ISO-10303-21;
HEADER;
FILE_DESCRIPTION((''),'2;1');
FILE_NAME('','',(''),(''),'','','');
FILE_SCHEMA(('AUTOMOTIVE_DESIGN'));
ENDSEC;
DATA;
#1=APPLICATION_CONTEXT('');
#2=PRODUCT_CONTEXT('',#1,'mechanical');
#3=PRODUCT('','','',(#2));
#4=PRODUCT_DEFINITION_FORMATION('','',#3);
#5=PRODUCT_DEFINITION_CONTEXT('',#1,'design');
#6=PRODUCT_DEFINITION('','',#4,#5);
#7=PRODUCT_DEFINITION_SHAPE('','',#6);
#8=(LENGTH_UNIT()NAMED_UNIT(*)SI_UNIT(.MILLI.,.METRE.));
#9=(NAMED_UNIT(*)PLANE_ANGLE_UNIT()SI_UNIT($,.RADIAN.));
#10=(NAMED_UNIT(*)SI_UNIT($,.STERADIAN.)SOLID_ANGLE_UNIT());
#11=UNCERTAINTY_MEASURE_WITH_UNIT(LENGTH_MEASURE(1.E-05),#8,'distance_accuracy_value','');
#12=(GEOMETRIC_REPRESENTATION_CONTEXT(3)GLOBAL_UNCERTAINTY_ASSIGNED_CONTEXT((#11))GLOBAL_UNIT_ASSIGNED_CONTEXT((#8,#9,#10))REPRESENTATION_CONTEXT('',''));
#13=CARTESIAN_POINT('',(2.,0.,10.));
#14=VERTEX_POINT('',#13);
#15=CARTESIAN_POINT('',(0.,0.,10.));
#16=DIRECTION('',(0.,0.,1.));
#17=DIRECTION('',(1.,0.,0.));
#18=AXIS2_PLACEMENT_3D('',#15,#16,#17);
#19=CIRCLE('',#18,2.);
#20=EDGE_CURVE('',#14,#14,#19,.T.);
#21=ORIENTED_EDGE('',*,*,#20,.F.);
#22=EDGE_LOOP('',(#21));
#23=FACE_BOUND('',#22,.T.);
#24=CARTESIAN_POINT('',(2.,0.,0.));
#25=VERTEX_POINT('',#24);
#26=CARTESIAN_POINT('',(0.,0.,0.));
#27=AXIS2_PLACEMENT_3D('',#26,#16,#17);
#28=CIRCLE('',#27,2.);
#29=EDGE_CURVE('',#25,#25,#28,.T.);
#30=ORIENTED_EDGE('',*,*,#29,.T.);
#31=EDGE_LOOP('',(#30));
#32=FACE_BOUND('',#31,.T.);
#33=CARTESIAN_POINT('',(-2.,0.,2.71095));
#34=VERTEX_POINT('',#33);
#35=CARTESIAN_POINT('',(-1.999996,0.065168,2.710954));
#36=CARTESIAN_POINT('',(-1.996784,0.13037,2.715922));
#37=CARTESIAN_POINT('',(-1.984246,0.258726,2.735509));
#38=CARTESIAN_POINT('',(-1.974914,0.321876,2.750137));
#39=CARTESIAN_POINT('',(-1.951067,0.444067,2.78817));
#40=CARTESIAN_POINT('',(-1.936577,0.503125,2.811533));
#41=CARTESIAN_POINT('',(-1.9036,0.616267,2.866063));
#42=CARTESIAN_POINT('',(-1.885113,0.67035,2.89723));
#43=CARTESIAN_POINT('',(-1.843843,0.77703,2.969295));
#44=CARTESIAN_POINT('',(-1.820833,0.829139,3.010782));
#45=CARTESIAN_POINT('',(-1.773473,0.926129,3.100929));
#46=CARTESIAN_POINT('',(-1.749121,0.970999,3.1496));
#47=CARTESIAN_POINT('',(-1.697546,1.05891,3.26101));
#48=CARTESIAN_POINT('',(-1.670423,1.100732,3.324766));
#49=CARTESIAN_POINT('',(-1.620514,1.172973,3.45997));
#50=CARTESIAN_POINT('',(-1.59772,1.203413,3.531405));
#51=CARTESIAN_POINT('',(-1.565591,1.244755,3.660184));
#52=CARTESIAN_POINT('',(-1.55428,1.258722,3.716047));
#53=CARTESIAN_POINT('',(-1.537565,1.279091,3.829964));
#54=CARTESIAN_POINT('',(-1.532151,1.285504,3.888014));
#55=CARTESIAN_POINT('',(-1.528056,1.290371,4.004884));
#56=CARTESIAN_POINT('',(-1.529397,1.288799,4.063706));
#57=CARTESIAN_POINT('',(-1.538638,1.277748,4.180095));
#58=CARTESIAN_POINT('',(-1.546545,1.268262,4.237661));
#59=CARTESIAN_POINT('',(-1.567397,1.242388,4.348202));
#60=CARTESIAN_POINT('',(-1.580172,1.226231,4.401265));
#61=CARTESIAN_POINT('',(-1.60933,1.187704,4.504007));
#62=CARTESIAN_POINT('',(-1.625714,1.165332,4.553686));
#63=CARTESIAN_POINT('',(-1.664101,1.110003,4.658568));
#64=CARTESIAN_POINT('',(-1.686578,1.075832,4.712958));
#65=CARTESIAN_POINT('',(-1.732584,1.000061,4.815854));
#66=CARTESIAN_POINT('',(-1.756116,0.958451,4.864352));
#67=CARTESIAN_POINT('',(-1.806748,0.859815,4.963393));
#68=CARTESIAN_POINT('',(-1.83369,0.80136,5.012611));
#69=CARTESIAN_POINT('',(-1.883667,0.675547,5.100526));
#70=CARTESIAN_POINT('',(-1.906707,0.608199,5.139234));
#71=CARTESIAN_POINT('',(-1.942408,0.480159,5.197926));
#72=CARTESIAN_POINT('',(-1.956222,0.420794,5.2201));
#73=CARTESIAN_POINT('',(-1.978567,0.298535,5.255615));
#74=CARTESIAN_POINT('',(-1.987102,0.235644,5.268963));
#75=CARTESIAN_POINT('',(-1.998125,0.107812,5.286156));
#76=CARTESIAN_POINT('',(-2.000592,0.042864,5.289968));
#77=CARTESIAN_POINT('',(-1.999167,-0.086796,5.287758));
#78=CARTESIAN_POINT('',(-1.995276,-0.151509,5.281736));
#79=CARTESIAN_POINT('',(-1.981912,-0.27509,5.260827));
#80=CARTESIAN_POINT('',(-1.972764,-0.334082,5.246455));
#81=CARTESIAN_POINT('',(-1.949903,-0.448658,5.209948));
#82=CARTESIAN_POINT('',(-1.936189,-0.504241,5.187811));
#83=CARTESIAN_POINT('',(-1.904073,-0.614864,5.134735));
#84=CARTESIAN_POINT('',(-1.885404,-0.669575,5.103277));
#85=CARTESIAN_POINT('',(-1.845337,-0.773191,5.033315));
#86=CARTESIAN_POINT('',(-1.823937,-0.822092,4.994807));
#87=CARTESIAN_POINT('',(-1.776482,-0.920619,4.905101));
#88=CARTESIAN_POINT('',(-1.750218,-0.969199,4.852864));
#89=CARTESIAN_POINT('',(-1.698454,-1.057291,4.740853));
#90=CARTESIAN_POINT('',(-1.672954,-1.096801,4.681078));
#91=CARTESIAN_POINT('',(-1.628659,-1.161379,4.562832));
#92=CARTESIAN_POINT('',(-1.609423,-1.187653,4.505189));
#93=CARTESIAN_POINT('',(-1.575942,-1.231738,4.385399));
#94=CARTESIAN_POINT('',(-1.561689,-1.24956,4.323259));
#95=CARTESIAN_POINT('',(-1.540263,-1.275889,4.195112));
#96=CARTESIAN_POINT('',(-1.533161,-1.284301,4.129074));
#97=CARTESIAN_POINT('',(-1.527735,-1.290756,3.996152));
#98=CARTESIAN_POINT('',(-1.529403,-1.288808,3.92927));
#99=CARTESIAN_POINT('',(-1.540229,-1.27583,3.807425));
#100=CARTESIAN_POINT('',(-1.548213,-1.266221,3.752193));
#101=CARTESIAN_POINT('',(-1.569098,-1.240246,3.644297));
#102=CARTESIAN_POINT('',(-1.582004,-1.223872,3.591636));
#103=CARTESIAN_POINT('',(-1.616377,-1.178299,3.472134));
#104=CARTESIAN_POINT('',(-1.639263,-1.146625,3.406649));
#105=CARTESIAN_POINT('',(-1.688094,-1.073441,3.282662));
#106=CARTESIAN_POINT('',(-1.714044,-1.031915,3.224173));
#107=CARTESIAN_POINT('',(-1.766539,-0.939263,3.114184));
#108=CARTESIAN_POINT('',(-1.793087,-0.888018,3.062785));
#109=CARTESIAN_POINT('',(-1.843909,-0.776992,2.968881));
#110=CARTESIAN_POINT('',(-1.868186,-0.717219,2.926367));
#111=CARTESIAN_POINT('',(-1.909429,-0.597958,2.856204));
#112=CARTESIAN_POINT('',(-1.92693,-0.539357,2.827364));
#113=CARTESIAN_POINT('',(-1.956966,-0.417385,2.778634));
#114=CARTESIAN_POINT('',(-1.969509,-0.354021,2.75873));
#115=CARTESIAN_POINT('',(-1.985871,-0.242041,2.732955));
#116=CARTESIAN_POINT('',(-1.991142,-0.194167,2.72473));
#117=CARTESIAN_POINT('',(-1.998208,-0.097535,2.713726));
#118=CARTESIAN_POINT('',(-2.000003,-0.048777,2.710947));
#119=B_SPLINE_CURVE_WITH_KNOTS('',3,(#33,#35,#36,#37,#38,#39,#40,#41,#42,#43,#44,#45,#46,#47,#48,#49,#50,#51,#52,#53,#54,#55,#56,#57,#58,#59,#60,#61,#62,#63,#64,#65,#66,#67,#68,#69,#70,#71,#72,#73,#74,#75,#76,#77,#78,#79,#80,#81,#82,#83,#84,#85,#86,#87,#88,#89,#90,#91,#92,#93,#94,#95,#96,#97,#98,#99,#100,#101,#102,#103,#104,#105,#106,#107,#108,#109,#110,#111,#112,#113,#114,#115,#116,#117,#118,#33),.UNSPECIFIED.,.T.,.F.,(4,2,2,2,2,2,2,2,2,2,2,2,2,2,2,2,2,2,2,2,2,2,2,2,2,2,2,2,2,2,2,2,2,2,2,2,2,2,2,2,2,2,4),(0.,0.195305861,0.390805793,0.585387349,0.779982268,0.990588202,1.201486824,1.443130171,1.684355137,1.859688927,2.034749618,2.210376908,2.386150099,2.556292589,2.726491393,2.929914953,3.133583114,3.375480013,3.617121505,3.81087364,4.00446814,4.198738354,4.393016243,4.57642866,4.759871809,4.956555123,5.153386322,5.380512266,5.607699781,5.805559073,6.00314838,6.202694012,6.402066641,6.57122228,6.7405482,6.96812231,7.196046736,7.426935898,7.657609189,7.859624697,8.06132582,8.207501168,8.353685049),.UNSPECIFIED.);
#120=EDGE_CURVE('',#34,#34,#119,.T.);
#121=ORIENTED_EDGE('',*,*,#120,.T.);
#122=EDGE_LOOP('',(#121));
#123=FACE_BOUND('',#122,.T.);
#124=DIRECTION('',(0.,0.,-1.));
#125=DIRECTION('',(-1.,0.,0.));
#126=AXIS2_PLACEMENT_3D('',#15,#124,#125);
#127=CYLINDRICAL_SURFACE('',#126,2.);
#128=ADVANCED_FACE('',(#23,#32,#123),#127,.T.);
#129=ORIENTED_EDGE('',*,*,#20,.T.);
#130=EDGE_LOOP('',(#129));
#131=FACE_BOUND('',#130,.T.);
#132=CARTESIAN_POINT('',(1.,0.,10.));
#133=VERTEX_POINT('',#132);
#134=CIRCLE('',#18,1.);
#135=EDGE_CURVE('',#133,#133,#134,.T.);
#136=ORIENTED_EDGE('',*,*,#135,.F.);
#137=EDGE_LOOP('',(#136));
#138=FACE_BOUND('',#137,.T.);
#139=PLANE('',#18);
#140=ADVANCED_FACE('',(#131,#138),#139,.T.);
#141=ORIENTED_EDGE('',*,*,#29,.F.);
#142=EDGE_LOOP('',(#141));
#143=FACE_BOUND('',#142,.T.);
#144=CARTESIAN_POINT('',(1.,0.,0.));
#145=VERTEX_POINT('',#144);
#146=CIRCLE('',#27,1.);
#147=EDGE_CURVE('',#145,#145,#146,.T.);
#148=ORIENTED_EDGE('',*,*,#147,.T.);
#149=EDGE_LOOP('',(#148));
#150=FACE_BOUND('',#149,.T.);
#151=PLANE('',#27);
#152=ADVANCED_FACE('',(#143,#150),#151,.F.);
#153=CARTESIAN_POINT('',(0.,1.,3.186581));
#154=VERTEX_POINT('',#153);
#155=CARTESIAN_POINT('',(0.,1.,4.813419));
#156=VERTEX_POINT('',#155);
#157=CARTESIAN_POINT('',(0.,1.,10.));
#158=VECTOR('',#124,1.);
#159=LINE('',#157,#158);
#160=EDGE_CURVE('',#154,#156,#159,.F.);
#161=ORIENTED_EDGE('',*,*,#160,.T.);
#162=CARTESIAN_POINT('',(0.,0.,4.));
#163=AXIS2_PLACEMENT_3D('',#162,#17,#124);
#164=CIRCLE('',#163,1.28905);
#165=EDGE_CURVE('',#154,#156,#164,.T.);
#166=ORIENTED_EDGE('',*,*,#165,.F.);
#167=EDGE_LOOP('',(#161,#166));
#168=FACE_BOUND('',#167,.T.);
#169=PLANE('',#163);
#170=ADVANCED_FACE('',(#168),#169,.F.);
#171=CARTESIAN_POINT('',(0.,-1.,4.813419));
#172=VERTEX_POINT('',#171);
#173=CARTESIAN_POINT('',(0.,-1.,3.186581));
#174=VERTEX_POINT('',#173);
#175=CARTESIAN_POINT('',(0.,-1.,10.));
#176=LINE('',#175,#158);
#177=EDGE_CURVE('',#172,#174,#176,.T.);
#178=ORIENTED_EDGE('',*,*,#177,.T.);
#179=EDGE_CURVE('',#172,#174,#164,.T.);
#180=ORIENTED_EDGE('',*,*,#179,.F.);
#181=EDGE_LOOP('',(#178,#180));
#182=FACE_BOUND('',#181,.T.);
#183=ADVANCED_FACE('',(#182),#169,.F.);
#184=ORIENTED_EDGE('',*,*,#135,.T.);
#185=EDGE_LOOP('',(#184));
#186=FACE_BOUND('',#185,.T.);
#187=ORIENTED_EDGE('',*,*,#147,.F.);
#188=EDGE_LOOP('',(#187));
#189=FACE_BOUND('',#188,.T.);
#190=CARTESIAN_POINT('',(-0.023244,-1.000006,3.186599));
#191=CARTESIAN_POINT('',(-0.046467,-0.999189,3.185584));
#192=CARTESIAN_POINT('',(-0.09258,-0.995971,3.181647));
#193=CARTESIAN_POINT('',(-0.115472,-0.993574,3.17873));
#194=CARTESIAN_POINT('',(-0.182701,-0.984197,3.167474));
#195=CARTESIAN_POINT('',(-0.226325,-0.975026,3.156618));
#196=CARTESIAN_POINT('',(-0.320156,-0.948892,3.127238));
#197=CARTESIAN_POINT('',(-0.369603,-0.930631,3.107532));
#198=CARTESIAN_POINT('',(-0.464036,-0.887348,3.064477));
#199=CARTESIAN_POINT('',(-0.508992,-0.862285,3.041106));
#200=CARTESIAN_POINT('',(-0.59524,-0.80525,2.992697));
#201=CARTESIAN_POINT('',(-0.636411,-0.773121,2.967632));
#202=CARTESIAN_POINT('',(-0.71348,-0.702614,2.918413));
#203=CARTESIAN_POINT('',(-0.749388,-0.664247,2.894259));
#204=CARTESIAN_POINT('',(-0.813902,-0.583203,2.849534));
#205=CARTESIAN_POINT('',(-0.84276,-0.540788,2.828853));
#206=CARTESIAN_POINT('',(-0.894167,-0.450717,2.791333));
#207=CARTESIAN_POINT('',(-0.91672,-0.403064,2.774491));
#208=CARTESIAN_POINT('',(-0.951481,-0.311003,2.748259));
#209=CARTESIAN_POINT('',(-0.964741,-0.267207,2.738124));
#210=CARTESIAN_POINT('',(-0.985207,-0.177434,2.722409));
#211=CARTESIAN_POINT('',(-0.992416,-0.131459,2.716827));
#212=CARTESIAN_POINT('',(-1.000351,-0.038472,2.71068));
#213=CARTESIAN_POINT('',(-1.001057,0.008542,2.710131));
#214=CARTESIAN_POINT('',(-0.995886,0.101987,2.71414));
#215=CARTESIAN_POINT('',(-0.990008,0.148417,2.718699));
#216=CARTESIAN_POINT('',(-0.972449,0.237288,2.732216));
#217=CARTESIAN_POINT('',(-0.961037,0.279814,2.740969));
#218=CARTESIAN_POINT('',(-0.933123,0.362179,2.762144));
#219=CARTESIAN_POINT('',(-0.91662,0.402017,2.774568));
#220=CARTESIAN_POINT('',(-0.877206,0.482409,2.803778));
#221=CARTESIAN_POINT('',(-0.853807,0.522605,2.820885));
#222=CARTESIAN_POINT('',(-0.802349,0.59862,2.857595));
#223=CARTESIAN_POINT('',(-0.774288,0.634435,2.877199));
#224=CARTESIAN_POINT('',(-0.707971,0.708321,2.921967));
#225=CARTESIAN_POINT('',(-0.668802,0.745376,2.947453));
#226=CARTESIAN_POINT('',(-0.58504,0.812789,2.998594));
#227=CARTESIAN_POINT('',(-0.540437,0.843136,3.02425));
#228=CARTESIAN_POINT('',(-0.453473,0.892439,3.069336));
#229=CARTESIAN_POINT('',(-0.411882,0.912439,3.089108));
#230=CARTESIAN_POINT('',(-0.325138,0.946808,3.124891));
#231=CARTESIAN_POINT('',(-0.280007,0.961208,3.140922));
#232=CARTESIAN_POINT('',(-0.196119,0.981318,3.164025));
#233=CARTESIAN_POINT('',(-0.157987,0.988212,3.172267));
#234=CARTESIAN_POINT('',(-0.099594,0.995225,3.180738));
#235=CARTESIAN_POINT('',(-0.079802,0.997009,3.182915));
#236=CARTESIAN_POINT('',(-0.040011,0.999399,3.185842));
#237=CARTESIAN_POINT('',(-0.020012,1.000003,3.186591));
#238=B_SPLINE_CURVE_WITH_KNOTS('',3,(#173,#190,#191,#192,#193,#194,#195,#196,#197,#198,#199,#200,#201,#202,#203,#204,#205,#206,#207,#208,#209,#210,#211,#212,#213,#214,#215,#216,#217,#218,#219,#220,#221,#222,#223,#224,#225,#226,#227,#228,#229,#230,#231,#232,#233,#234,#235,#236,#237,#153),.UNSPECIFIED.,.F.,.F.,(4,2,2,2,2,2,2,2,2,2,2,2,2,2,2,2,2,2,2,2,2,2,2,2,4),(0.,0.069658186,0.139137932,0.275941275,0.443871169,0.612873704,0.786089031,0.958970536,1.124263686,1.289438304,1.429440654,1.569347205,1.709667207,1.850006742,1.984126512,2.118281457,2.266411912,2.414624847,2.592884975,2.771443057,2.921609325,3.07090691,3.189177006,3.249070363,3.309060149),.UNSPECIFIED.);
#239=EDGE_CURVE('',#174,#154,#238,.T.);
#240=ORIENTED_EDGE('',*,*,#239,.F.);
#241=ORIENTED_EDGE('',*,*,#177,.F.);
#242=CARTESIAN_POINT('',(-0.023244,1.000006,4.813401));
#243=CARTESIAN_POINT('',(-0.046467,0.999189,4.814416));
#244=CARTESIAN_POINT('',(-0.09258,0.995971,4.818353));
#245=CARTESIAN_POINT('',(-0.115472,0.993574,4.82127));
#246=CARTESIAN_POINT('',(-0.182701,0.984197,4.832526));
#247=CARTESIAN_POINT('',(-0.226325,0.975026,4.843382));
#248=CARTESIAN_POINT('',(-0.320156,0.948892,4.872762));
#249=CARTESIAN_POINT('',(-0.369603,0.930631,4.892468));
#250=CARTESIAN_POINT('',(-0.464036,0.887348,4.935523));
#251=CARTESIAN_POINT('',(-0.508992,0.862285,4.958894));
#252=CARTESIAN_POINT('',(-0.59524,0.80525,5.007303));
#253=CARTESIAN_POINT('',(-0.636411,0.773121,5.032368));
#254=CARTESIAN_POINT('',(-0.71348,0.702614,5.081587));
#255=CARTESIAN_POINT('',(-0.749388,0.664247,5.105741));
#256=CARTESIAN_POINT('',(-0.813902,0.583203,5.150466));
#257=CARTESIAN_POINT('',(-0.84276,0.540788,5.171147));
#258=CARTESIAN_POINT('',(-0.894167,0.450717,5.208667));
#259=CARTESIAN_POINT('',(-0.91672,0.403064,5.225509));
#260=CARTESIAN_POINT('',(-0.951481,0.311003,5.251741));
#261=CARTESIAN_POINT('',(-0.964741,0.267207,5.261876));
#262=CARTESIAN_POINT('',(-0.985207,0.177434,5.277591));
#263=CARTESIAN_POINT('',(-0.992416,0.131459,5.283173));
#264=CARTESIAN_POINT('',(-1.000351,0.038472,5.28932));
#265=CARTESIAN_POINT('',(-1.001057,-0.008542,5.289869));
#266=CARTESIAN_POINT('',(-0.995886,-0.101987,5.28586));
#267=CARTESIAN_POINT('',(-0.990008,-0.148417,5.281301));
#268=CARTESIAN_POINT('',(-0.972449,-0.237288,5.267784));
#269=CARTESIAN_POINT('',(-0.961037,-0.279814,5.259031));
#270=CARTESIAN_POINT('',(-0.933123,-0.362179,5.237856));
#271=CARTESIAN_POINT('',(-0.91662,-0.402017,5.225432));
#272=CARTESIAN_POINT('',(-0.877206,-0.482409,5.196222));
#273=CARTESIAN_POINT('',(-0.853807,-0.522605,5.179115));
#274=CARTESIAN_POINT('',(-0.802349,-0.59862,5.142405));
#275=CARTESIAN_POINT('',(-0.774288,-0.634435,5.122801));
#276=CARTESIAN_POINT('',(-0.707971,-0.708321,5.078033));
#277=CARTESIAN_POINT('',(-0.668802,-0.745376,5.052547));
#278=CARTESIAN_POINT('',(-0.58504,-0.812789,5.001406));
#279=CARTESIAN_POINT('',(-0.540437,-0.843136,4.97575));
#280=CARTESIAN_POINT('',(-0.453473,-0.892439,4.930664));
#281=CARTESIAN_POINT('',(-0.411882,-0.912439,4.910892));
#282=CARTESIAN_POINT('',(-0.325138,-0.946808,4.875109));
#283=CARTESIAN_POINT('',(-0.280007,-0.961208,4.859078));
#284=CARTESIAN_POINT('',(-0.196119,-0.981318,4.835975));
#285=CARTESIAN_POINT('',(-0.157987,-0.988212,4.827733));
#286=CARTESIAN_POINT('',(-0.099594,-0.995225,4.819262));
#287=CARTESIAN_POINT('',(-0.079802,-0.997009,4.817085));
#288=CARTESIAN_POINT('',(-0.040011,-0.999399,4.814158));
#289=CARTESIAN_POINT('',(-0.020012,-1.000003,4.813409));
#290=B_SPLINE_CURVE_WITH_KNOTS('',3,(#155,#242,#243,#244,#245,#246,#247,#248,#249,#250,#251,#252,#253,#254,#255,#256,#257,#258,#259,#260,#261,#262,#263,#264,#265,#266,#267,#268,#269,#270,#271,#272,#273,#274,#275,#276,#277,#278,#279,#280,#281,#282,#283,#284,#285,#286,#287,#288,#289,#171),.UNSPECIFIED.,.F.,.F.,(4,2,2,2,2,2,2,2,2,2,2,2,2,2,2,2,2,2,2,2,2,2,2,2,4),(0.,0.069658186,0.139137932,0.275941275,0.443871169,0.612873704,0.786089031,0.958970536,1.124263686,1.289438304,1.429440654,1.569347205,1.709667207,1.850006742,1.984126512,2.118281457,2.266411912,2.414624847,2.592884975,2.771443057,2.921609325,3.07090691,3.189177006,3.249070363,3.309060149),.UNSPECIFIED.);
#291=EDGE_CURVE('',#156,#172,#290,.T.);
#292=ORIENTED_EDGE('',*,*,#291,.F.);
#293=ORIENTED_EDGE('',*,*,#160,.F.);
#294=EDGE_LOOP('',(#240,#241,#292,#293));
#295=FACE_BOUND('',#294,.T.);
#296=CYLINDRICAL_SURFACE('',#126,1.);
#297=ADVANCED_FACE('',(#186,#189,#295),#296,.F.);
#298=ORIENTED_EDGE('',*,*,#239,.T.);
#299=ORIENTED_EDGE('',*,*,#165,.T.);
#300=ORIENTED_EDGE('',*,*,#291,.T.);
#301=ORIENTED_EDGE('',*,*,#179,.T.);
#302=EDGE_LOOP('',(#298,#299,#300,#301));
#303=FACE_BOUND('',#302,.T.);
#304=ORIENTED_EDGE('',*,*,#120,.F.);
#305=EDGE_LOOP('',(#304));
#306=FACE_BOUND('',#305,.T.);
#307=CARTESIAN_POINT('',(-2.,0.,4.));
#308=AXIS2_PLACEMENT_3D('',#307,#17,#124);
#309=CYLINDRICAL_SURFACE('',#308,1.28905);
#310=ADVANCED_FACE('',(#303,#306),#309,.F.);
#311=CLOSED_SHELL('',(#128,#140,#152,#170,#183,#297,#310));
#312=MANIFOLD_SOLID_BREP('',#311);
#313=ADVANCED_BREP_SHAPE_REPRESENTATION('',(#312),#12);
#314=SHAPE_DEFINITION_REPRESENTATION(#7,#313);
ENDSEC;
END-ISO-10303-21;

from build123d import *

# Parameters (mm, degrees)
SKETCH1_R                     = 2
SKETCH1_R_2                   = 1
BOSS_EXTRUDE1_DEPTH           = 10
SKETCH2_R                     = 1.28905
HOLE_FOR_5_40_SET_SCREW_DEPTH = 3


with BuildPart() as part:
    # Sketch1 → Boss-Extrude1 (new body)
    with BuildSketch(Plane.XY):
        Circle(SKETCH1_R)
        Circle(SKETCH1_R_2, mode=Mode.SUBTRACT)
    extrude(amount=BOSS_EXTRUDE1_DEPTH)

    # Sketch2 → hole for 5-40 set screw (cut, through all)
    with BuildSketch(Plane(origin=(0, 0, 0), x_dir=(0, 0, -1), z_dir=(1, 0, 0))):
        with Locations((-4, 0)):
            Circle(SKETCH2_R)
    extrude(amount=-HOLE_FOR_5_40_SET_SCREW_DEPTH, mode=Mode.SUBTRACT)


solid = part.part
